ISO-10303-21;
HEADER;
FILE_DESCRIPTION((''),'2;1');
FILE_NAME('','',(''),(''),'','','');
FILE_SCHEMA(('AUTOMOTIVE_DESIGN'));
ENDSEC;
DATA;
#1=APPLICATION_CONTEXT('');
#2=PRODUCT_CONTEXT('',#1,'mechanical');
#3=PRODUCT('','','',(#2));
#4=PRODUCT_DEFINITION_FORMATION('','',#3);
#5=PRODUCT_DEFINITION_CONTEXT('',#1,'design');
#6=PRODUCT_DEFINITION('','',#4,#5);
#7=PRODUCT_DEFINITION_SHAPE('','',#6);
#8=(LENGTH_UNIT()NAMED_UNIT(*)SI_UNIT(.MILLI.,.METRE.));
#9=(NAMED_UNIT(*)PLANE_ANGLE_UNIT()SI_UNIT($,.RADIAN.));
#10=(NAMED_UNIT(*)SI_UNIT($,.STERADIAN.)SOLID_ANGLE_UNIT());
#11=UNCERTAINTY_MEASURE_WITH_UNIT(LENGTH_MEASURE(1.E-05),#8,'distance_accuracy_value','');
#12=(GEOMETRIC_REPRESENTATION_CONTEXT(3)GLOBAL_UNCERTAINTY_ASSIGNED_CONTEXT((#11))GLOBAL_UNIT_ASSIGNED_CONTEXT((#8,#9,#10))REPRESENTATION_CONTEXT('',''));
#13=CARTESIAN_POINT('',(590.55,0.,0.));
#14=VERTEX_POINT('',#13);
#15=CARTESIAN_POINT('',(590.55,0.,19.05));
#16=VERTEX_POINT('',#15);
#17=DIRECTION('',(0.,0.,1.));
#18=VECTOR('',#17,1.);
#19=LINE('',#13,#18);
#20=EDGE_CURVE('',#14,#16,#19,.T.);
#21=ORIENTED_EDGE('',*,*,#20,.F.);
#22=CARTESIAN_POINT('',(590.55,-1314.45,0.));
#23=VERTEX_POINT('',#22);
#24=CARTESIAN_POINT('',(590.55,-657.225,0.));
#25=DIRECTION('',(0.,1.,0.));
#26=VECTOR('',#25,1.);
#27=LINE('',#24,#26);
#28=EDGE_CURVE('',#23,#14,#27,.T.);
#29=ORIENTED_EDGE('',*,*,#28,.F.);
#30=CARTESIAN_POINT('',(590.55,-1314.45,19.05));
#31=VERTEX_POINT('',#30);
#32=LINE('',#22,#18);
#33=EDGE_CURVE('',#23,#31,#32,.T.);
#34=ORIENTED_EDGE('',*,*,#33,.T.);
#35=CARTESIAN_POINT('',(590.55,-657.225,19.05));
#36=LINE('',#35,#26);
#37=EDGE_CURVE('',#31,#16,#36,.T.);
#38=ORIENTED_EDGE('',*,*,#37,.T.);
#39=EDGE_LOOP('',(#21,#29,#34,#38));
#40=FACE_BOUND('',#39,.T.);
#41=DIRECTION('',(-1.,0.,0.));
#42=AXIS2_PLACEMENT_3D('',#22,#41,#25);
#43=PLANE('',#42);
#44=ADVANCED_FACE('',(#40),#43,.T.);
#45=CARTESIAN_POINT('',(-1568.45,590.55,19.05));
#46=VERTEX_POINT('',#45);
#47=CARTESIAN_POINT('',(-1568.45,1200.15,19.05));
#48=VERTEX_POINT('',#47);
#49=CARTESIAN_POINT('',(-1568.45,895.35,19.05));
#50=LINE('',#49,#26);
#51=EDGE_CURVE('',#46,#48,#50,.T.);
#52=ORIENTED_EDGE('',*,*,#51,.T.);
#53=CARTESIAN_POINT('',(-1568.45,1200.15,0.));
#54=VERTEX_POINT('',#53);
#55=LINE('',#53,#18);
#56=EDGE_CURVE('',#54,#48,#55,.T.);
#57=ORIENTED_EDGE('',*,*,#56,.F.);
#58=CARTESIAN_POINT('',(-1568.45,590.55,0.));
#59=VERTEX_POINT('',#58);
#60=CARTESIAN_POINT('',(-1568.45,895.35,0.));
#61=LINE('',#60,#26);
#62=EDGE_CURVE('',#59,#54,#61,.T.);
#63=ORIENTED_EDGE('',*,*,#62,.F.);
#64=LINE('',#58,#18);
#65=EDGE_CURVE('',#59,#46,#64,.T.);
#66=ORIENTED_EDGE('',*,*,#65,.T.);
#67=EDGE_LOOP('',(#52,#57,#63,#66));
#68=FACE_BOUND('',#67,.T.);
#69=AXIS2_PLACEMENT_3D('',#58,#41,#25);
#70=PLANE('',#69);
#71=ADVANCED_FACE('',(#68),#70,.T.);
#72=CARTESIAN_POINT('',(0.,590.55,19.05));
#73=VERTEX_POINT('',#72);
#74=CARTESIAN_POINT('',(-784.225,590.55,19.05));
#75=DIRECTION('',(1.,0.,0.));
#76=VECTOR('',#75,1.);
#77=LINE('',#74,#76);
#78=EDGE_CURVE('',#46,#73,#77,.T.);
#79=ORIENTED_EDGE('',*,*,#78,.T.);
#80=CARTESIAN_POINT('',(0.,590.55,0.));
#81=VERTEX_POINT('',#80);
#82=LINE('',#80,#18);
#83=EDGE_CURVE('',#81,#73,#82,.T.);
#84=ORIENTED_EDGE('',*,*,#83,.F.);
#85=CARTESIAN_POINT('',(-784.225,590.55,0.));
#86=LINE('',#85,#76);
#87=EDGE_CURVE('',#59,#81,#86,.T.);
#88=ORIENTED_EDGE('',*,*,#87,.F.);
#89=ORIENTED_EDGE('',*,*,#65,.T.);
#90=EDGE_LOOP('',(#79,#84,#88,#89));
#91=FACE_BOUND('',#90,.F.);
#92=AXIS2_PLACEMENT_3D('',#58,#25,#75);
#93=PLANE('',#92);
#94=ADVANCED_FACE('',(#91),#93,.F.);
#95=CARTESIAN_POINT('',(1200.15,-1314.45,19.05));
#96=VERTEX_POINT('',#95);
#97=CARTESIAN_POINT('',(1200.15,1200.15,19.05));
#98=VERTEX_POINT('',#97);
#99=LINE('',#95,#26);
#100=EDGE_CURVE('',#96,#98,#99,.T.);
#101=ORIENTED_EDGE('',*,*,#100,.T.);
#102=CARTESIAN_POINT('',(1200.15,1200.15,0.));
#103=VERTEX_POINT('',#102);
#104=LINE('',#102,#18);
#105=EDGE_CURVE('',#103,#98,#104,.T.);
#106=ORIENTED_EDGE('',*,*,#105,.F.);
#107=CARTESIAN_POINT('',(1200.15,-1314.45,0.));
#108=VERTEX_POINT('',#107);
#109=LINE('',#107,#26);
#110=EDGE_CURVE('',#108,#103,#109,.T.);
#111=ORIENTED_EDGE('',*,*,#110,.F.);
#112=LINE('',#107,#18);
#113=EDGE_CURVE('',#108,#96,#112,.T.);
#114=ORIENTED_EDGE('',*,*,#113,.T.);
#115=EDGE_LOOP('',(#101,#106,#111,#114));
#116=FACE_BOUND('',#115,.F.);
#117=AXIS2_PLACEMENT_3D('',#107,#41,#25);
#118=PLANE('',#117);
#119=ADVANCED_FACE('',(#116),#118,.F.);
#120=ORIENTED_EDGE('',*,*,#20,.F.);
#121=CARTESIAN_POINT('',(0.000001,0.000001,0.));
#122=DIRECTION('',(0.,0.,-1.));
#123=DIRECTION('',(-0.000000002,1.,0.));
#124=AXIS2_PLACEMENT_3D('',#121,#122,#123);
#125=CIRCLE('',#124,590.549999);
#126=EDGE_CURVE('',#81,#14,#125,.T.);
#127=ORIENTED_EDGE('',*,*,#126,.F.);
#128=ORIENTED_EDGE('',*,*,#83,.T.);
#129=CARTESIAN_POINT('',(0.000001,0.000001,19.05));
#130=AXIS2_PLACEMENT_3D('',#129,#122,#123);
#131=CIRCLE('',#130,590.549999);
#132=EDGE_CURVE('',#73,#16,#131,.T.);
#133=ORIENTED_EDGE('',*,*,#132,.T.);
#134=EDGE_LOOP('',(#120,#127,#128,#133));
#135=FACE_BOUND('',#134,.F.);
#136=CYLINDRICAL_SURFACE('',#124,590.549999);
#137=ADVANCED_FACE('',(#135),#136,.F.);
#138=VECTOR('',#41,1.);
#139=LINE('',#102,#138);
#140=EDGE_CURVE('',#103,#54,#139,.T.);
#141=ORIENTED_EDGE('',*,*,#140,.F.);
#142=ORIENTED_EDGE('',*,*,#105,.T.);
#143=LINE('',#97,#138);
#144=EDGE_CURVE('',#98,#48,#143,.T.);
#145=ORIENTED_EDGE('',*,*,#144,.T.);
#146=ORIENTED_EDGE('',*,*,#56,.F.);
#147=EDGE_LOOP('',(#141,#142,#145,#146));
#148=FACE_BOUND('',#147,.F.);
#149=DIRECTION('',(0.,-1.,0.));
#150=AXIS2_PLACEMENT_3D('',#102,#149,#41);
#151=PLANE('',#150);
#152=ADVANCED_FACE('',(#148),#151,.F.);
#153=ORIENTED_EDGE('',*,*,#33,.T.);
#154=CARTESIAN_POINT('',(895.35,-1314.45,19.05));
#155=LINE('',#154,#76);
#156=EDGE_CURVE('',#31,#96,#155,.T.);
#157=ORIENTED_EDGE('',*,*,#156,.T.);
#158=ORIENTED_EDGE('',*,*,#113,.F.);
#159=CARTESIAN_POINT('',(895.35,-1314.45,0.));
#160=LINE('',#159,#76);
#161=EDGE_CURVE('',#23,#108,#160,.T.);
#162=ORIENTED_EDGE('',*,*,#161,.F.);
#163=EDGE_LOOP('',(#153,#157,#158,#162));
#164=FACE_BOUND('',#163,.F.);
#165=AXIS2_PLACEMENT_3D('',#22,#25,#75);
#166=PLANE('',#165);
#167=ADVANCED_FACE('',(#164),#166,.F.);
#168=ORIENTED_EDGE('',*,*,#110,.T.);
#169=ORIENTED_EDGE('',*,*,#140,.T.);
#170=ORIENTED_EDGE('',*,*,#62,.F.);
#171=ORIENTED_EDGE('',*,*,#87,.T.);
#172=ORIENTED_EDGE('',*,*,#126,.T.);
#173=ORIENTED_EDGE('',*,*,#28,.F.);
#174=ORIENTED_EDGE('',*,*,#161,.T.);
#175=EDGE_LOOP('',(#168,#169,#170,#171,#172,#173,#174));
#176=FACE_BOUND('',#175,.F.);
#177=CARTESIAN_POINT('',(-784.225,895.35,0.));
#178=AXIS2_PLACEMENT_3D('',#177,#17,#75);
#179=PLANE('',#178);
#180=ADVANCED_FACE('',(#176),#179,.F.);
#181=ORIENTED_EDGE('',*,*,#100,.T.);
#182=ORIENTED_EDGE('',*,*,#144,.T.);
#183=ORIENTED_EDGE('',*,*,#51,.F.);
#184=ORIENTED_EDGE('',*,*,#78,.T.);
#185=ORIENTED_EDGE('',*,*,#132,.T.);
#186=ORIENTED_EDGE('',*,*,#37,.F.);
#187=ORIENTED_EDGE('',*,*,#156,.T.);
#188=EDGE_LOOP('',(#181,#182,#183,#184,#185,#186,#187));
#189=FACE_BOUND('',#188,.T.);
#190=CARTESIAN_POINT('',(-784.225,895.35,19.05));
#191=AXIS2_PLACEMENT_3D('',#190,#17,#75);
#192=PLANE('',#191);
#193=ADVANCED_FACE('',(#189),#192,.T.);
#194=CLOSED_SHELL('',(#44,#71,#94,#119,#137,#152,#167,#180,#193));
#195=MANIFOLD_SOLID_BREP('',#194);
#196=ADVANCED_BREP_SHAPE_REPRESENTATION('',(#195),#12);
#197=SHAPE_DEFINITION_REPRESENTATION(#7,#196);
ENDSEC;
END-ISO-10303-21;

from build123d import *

# Parameters (mm, degrees)
F0_W     = 1568.45
F0_H     = 609.6
F0_W_2   = 609.6
F0_H_2   = 1314.45
F1_DEPTH = 19.05


with BuildPart() as f1:
    # F0 (on Top) → F1 (new body)
    with BuildSketch(Plane.XY):
        with Locations((-784.225, 895.35)):
            Rectangle(F0_W, F0_H)
        with BuildLine():
            ThreePointArc((0, 590.55), (417.58191, 417.58191), (590.55, 0))
            Line((590.55, 0), (1200.15, 0))
            Line((1200.15, 0), (1200.15, 1200.15))
            Line((1200.15, 1200.15), (0, 1200.15))
            Line((0, 1200.15), (0, 590.55))
        make_face()
        with Locations((895.35, -657.225)):
            Rectangle(F0_W_2, F0_H_2)
    extrude(amount=F1_DEPTH)


solid = f1.part
